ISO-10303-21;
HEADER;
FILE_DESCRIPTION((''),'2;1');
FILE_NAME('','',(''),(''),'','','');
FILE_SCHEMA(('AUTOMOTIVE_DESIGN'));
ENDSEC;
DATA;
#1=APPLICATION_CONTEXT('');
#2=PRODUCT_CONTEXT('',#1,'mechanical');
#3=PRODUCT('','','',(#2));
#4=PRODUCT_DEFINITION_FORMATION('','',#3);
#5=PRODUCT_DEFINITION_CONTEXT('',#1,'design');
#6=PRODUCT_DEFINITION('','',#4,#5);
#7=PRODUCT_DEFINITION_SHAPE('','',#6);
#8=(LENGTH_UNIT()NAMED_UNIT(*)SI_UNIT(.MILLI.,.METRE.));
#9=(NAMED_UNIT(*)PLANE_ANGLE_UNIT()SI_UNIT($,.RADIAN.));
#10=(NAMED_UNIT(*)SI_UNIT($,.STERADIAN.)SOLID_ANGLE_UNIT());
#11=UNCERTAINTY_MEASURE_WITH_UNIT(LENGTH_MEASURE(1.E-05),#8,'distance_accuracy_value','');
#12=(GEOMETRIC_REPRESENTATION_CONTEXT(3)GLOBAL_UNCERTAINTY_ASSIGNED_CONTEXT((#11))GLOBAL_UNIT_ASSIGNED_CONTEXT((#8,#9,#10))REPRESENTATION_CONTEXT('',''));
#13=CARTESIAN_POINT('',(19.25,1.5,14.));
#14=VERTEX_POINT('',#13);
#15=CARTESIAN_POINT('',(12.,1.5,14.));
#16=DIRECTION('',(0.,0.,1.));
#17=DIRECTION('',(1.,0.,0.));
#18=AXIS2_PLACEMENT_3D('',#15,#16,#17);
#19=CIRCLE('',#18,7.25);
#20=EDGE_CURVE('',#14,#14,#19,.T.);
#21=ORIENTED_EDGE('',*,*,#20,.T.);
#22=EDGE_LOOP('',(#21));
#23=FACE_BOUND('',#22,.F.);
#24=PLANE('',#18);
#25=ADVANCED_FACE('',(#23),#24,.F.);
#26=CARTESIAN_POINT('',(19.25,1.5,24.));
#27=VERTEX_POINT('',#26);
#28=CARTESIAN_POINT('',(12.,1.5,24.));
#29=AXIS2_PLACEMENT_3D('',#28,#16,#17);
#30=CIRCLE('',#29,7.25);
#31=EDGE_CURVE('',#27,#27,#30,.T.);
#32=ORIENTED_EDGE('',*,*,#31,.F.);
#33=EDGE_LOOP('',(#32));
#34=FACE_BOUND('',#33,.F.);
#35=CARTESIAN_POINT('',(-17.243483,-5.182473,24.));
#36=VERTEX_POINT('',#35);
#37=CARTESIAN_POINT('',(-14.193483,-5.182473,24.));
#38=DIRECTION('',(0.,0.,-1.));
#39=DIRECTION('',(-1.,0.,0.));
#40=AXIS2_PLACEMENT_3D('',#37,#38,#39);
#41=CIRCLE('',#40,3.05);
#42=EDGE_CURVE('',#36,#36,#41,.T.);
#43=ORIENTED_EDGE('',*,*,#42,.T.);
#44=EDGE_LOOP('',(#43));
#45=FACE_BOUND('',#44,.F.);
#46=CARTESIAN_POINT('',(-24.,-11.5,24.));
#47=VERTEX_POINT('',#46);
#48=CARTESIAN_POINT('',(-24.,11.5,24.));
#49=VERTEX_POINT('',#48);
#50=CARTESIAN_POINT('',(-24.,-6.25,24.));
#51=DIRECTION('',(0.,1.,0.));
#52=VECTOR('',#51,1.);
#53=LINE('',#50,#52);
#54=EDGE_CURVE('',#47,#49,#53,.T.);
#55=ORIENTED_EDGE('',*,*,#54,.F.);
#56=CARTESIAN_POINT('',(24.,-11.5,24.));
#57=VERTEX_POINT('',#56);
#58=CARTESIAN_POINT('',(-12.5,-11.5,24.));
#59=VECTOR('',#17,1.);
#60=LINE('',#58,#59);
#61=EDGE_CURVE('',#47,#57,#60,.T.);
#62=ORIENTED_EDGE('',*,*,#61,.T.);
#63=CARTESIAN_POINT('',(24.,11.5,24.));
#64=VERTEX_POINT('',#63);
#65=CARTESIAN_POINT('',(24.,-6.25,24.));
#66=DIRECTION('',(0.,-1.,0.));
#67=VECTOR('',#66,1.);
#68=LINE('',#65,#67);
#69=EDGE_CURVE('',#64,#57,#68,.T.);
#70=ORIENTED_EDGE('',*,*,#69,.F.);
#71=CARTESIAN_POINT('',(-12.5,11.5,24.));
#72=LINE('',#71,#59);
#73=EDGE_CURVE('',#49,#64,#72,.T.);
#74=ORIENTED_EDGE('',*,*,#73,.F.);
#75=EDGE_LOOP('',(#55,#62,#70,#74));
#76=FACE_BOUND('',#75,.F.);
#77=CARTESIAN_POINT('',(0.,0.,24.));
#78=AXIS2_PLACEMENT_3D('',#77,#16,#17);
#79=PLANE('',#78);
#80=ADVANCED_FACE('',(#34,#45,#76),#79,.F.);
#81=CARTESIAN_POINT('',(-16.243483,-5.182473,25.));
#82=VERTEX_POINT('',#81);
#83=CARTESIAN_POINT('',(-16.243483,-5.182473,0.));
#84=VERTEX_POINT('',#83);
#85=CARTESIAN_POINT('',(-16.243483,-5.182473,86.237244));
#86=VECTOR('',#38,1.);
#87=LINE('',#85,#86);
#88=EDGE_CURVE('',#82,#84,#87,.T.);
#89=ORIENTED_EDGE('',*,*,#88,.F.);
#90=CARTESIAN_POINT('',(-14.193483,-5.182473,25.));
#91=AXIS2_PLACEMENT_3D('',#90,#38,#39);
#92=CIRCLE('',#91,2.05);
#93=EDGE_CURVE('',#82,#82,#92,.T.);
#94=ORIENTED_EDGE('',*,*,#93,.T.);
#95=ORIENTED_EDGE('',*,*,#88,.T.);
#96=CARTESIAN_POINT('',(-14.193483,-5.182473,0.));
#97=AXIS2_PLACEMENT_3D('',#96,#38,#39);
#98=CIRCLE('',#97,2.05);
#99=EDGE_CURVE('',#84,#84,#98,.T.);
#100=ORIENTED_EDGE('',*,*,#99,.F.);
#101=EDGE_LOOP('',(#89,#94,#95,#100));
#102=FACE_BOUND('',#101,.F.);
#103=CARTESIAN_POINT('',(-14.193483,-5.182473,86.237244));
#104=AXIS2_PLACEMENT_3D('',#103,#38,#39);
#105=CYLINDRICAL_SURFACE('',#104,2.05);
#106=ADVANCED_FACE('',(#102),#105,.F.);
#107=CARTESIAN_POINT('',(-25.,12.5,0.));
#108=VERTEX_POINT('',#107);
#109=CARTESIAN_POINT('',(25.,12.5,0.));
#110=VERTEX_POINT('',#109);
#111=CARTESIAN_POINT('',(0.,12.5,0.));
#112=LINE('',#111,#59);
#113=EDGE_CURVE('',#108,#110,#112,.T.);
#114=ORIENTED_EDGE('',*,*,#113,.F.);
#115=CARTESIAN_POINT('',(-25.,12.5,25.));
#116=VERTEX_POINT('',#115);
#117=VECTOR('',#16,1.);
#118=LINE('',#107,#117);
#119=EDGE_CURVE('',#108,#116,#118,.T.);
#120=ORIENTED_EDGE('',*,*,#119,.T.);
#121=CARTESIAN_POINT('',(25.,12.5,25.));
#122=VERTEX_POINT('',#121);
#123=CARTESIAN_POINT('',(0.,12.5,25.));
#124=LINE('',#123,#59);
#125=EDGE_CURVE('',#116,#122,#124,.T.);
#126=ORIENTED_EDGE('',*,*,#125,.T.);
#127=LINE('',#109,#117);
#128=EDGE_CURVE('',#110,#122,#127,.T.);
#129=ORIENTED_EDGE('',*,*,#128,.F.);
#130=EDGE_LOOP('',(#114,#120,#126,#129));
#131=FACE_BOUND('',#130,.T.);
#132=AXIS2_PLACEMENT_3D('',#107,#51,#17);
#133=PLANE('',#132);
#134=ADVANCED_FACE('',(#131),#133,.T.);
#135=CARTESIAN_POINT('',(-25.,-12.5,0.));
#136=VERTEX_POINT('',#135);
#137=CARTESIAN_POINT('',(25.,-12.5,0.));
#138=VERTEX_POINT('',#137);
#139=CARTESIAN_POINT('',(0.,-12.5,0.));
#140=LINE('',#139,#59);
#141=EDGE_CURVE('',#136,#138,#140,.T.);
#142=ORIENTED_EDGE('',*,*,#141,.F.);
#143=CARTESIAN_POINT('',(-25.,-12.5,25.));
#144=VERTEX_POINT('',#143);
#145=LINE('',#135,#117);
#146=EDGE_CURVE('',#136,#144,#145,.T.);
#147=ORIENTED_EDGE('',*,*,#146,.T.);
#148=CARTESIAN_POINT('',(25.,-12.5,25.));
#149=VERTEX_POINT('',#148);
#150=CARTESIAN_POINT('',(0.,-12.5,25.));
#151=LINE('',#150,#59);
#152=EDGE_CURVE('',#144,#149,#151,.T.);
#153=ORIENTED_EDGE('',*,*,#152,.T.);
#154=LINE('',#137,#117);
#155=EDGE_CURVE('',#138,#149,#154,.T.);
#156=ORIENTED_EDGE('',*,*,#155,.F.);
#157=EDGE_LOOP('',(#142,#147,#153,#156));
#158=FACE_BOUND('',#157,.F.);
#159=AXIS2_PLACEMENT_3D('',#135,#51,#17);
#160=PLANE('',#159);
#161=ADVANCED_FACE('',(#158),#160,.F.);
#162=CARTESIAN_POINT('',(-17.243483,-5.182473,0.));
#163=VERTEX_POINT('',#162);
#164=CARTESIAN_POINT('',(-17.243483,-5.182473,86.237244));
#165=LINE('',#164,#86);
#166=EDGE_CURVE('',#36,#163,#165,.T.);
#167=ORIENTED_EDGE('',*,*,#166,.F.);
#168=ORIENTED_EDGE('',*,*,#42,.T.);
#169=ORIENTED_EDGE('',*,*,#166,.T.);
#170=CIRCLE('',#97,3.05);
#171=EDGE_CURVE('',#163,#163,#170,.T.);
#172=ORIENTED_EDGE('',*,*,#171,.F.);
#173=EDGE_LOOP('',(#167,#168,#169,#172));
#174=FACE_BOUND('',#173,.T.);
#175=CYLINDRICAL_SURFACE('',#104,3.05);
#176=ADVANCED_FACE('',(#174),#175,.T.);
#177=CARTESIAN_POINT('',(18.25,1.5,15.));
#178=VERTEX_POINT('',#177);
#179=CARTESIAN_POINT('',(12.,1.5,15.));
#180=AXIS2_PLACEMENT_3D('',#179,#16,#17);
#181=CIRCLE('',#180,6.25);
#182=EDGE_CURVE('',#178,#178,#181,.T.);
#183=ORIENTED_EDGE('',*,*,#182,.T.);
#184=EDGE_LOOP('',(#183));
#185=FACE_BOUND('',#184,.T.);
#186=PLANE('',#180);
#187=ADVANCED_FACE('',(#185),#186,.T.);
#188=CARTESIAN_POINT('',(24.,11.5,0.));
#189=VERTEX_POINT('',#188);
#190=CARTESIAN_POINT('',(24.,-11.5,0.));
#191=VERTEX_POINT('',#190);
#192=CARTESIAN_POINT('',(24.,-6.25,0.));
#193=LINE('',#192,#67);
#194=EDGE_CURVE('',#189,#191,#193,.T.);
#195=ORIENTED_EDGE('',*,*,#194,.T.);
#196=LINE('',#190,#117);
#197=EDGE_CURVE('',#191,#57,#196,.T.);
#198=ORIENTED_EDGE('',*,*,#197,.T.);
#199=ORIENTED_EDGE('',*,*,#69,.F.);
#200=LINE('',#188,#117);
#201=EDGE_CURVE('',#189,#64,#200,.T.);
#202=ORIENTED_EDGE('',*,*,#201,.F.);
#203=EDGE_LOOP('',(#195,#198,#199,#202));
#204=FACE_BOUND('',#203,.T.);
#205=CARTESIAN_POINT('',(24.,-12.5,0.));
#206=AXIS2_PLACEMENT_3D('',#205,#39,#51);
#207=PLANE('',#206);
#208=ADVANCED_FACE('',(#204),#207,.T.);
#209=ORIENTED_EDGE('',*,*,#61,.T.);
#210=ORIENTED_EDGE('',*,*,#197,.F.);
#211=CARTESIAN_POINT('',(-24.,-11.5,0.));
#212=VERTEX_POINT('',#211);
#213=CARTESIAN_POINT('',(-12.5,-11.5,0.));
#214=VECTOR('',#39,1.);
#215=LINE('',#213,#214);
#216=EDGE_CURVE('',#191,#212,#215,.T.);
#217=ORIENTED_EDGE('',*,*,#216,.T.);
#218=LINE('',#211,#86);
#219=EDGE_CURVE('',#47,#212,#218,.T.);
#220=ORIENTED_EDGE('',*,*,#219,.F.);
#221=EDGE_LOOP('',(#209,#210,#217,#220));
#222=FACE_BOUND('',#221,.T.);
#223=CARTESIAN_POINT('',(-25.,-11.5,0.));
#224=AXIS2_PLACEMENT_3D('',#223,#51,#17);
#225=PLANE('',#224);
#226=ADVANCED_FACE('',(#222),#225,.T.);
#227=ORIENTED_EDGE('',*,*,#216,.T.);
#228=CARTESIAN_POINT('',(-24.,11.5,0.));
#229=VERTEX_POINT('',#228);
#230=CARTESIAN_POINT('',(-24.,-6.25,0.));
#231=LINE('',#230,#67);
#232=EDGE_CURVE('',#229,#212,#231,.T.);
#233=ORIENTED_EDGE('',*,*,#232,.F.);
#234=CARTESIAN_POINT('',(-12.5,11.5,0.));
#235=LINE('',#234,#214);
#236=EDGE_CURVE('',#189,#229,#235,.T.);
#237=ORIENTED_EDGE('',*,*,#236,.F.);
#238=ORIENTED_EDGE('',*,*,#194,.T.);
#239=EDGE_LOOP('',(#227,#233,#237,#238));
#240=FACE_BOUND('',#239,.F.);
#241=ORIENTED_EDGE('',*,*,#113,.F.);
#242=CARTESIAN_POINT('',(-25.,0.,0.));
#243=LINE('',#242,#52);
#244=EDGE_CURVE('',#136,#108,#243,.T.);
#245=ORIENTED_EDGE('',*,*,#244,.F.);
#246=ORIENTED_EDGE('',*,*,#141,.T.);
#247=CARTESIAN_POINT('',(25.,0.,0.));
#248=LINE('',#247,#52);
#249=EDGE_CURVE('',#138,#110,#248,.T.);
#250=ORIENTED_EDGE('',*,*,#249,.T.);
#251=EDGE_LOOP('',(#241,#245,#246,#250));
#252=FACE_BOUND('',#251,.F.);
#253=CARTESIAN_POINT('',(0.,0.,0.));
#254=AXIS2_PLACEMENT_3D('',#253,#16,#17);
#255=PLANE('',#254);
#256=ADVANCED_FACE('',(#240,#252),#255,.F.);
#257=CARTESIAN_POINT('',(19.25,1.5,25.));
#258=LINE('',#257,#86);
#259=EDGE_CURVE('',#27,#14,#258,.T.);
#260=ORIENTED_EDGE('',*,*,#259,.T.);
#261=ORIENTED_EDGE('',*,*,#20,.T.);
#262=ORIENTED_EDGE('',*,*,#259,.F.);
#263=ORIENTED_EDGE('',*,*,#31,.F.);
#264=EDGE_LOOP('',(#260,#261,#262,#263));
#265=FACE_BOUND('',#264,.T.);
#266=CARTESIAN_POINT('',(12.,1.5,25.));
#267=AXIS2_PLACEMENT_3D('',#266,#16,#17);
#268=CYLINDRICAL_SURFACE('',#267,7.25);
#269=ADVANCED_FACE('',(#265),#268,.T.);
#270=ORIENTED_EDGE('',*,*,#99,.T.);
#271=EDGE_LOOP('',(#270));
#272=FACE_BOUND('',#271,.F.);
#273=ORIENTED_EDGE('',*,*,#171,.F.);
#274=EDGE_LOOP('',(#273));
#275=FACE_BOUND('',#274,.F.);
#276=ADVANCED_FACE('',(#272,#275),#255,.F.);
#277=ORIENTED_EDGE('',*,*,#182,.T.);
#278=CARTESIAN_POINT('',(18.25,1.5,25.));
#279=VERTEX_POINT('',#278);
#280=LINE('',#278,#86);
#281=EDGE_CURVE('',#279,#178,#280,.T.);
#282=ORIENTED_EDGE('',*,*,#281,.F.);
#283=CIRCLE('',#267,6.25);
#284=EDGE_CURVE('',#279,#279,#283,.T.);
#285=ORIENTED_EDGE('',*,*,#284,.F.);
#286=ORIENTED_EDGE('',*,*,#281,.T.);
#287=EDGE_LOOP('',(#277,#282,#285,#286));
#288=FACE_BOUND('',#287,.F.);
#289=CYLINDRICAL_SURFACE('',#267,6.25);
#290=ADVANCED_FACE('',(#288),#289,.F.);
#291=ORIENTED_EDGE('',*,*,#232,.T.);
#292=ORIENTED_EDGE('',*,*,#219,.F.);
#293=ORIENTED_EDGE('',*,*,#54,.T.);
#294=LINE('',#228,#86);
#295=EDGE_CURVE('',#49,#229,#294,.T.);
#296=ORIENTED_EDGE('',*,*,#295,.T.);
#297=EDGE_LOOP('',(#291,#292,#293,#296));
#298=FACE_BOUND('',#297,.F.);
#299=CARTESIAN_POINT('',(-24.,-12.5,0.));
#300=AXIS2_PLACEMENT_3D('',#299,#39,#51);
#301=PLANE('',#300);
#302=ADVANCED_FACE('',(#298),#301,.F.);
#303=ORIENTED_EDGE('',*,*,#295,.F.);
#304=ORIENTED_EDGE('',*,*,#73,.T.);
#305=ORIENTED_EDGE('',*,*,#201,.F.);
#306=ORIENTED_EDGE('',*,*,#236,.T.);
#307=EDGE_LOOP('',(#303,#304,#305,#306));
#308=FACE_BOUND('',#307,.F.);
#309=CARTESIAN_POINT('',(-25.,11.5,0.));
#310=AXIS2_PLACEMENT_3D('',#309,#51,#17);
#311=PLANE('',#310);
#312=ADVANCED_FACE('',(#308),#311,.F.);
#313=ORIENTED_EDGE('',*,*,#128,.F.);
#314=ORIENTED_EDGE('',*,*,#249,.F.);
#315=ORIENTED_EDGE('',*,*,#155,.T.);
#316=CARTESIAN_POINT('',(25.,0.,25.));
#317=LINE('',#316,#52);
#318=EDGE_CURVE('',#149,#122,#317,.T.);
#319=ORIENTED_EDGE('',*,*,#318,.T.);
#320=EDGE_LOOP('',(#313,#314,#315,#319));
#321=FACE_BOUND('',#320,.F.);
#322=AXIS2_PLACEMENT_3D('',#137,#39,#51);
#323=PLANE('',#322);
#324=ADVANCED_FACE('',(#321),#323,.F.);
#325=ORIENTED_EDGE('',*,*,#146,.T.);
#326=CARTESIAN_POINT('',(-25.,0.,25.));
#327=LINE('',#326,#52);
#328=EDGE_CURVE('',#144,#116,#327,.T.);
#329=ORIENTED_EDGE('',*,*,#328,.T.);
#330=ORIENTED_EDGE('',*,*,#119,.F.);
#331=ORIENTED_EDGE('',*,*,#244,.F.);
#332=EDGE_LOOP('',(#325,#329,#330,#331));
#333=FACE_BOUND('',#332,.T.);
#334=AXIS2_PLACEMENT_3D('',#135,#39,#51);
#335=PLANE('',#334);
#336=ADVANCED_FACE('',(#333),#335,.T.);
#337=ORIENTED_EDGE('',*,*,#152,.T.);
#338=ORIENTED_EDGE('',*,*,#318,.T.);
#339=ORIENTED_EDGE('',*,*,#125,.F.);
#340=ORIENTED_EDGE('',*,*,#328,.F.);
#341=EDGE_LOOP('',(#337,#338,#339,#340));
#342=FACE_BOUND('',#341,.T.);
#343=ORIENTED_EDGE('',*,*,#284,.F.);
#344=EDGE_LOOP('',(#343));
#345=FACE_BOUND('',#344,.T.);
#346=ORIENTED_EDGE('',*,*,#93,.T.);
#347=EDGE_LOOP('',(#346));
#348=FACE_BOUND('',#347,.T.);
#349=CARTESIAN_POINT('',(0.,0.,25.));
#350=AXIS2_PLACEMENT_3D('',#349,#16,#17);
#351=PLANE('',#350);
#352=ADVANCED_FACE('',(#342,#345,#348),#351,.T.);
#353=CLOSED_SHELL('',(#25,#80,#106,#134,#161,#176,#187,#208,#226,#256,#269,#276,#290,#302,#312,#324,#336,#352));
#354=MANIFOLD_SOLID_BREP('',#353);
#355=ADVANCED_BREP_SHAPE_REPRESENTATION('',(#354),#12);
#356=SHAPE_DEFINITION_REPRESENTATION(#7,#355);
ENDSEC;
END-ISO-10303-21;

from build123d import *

# Parameters (mm, degrees)
F0_W     = 50
F0_H     = 25
F1_DEPTH = 25
F2_R     = 6.25
F3_DEPTH = 10
F5_D     = 4.1
F6_T     = -1


with BuildPart() as f1:
    # F0 (on Top) → F1 (new body)
    with BuildSketch(Plane.XY):
        Rectangle(F0_W, F0_H)
    extrude(amount=F1_DEPTH)

    # F2 (on face) → F3 (cut)
    with BuildSketch(Plane.XY.offset(25)):
        with Locations((12, 1.5)):
            Circle(F2_R)
    extrude(amount=-F3_DEPTH, mode=Mode.SUBTRACT)

    # F5 (through all)
    with Locations(Plane.XY.offset(25)):
        with Locations((-14.193482697, -5.1824725233)):
            Hole(F5_D / 2)

    # F6
    f6_openings = [f1.faces().sort_by_distance(p)[0] for p in [
        (0.151512, 0.055322, 0),
    ]]
    offset(amount=F6_T, openings=f6_openings, kind=Kind.INTERSECTION)


solid = f1.part
